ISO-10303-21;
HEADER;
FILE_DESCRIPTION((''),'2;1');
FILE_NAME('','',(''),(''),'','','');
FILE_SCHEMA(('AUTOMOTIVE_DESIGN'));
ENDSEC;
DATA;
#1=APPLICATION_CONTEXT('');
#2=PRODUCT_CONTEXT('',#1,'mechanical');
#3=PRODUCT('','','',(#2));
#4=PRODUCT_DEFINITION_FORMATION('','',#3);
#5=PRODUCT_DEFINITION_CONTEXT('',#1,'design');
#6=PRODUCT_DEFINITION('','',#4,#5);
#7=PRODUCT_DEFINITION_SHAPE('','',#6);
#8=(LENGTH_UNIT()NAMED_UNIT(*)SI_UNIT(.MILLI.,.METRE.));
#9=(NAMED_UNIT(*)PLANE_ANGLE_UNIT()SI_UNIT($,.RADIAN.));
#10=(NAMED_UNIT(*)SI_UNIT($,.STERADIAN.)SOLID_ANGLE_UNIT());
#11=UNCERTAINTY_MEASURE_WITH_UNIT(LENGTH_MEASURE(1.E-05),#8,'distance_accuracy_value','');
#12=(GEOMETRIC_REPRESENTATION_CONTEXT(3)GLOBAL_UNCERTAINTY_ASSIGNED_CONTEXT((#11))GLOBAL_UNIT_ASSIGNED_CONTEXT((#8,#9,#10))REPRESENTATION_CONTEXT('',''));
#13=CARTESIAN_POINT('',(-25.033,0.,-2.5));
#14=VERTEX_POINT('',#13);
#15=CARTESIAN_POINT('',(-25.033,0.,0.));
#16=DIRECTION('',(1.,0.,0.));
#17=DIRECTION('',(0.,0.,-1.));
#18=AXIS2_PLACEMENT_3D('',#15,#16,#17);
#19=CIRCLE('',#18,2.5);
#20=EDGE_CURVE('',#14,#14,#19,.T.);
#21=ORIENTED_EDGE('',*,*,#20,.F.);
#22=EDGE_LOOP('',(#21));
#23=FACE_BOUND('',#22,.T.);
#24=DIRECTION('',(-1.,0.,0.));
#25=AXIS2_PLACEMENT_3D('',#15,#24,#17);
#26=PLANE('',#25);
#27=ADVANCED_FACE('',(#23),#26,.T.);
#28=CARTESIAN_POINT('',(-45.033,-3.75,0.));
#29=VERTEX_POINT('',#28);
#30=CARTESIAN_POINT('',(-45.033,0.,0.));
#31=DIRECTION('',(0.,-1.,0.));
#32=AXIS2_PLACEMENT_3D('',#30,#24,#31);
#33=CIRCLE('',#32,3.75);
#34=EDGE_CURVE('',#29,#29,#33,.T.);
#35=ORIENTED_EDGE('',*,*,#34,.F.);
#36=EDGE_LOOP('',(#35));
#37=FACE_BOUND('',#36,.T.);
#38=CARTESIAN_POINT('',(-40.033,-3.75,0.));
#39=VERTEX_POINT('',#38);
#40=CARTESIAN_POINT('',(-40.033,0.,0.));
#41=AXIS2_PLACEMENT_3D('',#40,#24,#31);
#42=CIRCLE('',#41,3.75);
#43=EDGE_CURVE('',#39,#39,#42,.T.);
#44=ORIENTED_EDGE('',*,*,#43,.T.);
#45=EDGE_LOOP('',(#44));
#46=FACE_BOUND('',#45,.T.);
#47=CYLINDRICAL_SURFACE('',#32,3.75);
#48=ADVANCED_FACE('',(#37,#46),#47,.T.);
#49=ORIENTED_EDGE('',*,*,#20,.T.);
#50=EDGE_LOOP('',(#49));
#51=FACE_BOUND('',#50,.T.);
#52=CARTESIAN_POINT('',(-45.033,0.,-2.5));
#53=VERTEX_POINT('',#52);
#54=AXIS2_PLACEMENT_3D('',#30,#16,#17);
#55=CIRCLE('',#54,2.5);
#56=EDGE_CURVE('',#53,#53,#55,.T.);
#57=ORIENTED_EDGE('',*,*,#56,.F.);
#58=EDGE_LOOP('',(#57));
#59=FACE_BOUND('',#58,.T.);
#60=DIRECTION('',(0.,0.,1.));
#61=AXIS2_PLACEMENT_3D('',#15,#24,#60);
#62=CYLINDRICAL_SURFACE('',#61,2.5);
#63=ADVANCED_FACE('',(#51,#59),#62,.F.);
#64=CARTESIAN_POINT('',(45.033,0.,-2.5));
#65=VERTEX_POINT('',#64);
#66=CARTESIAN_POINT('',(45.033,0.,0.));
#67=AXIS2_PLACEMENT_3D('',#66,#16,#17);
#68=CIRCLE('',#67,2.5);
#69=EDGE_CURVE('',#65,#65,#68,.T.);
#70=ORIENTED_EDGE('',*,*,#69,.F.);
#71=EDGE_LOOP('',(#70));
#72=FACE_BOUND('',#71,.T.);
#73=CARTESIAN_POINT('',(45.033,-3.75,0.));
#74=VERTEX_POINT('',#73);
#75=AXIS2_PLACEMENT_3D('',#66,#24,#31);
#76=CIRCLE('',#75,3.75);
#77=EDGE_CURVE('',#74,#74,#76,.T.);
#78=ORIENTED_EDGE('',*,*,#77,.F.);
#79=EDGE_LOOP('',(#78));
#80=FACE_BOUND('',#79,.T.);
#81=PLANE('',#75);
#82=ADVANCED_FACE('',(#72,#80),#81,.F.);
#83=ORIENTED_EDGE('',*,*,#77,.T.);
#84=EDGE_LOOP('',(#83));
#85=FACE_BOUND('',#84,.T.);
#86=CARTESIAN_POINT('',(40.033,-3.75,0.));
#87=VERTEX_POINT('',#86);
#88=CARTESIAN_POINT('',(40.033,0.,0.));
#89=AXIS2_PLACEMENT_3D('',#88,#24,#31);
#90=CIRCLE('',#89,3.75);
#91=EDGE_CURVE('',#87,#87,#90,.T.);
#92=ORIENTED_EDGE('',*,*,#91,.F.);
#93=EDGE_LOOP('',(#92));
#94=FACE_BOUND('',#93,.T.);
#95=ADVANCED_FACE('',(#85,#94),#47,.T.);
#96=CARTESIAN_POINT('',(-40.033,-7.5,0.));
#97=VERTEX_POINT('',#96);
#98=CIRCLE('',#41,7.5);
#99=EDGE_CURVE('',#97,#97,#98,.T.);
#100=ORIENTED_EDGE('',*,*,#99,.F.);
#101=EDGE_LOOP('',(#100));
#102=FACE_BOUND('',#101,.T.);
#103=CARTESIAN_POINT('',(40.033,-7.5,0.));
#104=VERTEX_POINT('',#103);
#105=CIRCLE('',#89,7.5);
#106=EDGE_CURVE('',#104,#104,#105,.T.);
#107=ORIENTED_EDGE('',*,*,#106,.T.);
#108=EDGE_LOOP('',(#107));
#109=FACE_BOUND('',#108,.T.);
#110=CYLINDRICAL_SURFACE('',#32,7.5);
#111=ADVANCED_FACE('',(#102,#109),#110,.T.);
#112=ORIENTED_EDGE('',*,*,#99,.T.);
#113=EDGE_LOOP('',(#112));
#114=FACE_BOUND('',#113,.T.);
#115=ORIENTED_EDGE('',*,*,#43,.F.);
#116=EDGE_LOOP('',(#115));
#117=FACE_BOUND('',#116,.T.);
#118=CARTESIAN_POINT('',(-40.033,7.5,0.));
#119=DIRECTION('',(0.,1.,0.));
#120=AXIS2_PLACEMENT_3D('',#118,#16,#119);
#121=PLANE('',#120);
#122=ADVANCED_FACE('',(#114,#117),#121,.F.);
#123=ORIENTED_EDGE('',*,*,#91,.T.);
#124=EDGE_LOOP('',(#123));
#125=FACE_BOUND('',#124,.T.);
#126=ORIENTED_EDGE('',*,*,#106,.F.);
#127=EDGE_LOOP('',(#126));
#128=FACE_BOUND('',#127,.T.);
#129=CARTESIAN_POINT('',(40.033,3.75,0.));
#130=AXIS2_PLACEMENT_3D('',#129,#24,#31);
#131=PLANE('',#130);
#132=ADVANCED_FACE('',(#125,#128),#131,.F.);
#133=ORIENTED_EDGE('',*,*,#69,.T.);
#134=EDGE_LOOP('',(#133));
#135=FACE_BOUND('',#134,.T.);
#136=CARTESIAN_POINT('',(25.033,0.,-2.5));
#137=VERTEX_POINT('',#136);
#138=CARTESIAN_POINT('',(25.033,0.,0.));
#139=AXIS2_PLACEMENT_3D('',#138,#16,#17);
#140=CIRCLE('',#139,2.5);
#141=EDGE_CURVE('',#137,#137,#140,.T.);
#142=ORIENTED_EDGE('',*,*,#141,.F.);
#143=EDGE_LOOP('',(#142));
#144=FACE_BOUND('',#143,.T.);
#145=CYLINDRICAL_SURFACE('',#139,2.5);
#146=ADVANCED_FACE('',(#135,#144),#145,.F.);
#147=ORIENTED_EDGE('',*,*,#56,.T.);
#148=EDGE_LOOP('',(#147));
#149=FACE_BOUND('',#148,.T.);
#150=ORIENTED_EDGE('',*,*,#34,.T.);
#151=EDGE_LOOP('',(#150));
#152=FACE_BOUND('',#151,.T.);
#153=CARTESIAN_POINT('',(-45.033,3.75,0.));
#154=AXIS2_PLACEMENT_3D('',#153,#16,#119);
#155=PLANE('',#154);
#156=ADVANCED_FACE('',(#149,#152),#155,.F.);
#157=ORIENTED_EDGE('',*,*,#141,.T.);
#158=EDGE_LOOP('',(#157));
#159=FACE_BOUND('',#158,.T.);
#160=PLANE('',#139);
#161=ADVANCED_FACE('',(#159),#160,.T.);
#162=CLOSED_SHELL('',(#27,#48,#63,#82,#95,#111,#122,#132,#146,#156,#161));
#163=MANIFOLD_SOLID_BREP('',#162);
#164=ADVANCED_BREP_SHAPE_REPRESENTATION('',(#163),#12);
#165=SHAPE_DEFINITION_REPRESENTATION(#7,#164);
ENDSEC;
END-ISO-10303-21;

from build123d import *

# Parameters (mm, degrees)
SKETCH2_R          = 2.5
CUT_EXTRUDE1_DEPTH = 20


with BuildPart() as part:
    # Sketch1 → Revolve1 (revolve)
    with BuildSketch(Plane.XY, mode=Mode.PRIVATE) as revolve1_sk:
        Polygon((-45.033, 0), (45.033, 0), (45.033, 3.75), (40.033, 3.75), (40.033, 7.5), (-40.033, 7.5), (-40.033, 3.75), (-45.033, 3.75), align=None)
    revolve(revolve1_sk.sketch.rotate(Axis((-45.033, 0, 0), (1, 0, 0)), 180), axis=Axis((-45.033, 0, 0), (1, 0, 0)))

    # Sketch2 → Cut-Extrude1 (cut)
    with BuildSketch(Plane(origin=(45.033, 0, 0), x_dir=(0, 0, -1), z_dir=(1, 0, 0))):
        Circle(SKETCH2_R)
    cut_extrude1 = extrude(amount=-CUT_EXTRUDE1_DEPTH, mode=Mode.SUBTRACT)

    # Mirror1: Cut-Extrude1 across plane
    add(cut_extrude1.mirror(Plane(origin=(0, 0, 0), x_dir=(0, 0, 1), z_dir=(1, 0, 0))), mode=Mode.SUBTRACT)


solid = part.part
